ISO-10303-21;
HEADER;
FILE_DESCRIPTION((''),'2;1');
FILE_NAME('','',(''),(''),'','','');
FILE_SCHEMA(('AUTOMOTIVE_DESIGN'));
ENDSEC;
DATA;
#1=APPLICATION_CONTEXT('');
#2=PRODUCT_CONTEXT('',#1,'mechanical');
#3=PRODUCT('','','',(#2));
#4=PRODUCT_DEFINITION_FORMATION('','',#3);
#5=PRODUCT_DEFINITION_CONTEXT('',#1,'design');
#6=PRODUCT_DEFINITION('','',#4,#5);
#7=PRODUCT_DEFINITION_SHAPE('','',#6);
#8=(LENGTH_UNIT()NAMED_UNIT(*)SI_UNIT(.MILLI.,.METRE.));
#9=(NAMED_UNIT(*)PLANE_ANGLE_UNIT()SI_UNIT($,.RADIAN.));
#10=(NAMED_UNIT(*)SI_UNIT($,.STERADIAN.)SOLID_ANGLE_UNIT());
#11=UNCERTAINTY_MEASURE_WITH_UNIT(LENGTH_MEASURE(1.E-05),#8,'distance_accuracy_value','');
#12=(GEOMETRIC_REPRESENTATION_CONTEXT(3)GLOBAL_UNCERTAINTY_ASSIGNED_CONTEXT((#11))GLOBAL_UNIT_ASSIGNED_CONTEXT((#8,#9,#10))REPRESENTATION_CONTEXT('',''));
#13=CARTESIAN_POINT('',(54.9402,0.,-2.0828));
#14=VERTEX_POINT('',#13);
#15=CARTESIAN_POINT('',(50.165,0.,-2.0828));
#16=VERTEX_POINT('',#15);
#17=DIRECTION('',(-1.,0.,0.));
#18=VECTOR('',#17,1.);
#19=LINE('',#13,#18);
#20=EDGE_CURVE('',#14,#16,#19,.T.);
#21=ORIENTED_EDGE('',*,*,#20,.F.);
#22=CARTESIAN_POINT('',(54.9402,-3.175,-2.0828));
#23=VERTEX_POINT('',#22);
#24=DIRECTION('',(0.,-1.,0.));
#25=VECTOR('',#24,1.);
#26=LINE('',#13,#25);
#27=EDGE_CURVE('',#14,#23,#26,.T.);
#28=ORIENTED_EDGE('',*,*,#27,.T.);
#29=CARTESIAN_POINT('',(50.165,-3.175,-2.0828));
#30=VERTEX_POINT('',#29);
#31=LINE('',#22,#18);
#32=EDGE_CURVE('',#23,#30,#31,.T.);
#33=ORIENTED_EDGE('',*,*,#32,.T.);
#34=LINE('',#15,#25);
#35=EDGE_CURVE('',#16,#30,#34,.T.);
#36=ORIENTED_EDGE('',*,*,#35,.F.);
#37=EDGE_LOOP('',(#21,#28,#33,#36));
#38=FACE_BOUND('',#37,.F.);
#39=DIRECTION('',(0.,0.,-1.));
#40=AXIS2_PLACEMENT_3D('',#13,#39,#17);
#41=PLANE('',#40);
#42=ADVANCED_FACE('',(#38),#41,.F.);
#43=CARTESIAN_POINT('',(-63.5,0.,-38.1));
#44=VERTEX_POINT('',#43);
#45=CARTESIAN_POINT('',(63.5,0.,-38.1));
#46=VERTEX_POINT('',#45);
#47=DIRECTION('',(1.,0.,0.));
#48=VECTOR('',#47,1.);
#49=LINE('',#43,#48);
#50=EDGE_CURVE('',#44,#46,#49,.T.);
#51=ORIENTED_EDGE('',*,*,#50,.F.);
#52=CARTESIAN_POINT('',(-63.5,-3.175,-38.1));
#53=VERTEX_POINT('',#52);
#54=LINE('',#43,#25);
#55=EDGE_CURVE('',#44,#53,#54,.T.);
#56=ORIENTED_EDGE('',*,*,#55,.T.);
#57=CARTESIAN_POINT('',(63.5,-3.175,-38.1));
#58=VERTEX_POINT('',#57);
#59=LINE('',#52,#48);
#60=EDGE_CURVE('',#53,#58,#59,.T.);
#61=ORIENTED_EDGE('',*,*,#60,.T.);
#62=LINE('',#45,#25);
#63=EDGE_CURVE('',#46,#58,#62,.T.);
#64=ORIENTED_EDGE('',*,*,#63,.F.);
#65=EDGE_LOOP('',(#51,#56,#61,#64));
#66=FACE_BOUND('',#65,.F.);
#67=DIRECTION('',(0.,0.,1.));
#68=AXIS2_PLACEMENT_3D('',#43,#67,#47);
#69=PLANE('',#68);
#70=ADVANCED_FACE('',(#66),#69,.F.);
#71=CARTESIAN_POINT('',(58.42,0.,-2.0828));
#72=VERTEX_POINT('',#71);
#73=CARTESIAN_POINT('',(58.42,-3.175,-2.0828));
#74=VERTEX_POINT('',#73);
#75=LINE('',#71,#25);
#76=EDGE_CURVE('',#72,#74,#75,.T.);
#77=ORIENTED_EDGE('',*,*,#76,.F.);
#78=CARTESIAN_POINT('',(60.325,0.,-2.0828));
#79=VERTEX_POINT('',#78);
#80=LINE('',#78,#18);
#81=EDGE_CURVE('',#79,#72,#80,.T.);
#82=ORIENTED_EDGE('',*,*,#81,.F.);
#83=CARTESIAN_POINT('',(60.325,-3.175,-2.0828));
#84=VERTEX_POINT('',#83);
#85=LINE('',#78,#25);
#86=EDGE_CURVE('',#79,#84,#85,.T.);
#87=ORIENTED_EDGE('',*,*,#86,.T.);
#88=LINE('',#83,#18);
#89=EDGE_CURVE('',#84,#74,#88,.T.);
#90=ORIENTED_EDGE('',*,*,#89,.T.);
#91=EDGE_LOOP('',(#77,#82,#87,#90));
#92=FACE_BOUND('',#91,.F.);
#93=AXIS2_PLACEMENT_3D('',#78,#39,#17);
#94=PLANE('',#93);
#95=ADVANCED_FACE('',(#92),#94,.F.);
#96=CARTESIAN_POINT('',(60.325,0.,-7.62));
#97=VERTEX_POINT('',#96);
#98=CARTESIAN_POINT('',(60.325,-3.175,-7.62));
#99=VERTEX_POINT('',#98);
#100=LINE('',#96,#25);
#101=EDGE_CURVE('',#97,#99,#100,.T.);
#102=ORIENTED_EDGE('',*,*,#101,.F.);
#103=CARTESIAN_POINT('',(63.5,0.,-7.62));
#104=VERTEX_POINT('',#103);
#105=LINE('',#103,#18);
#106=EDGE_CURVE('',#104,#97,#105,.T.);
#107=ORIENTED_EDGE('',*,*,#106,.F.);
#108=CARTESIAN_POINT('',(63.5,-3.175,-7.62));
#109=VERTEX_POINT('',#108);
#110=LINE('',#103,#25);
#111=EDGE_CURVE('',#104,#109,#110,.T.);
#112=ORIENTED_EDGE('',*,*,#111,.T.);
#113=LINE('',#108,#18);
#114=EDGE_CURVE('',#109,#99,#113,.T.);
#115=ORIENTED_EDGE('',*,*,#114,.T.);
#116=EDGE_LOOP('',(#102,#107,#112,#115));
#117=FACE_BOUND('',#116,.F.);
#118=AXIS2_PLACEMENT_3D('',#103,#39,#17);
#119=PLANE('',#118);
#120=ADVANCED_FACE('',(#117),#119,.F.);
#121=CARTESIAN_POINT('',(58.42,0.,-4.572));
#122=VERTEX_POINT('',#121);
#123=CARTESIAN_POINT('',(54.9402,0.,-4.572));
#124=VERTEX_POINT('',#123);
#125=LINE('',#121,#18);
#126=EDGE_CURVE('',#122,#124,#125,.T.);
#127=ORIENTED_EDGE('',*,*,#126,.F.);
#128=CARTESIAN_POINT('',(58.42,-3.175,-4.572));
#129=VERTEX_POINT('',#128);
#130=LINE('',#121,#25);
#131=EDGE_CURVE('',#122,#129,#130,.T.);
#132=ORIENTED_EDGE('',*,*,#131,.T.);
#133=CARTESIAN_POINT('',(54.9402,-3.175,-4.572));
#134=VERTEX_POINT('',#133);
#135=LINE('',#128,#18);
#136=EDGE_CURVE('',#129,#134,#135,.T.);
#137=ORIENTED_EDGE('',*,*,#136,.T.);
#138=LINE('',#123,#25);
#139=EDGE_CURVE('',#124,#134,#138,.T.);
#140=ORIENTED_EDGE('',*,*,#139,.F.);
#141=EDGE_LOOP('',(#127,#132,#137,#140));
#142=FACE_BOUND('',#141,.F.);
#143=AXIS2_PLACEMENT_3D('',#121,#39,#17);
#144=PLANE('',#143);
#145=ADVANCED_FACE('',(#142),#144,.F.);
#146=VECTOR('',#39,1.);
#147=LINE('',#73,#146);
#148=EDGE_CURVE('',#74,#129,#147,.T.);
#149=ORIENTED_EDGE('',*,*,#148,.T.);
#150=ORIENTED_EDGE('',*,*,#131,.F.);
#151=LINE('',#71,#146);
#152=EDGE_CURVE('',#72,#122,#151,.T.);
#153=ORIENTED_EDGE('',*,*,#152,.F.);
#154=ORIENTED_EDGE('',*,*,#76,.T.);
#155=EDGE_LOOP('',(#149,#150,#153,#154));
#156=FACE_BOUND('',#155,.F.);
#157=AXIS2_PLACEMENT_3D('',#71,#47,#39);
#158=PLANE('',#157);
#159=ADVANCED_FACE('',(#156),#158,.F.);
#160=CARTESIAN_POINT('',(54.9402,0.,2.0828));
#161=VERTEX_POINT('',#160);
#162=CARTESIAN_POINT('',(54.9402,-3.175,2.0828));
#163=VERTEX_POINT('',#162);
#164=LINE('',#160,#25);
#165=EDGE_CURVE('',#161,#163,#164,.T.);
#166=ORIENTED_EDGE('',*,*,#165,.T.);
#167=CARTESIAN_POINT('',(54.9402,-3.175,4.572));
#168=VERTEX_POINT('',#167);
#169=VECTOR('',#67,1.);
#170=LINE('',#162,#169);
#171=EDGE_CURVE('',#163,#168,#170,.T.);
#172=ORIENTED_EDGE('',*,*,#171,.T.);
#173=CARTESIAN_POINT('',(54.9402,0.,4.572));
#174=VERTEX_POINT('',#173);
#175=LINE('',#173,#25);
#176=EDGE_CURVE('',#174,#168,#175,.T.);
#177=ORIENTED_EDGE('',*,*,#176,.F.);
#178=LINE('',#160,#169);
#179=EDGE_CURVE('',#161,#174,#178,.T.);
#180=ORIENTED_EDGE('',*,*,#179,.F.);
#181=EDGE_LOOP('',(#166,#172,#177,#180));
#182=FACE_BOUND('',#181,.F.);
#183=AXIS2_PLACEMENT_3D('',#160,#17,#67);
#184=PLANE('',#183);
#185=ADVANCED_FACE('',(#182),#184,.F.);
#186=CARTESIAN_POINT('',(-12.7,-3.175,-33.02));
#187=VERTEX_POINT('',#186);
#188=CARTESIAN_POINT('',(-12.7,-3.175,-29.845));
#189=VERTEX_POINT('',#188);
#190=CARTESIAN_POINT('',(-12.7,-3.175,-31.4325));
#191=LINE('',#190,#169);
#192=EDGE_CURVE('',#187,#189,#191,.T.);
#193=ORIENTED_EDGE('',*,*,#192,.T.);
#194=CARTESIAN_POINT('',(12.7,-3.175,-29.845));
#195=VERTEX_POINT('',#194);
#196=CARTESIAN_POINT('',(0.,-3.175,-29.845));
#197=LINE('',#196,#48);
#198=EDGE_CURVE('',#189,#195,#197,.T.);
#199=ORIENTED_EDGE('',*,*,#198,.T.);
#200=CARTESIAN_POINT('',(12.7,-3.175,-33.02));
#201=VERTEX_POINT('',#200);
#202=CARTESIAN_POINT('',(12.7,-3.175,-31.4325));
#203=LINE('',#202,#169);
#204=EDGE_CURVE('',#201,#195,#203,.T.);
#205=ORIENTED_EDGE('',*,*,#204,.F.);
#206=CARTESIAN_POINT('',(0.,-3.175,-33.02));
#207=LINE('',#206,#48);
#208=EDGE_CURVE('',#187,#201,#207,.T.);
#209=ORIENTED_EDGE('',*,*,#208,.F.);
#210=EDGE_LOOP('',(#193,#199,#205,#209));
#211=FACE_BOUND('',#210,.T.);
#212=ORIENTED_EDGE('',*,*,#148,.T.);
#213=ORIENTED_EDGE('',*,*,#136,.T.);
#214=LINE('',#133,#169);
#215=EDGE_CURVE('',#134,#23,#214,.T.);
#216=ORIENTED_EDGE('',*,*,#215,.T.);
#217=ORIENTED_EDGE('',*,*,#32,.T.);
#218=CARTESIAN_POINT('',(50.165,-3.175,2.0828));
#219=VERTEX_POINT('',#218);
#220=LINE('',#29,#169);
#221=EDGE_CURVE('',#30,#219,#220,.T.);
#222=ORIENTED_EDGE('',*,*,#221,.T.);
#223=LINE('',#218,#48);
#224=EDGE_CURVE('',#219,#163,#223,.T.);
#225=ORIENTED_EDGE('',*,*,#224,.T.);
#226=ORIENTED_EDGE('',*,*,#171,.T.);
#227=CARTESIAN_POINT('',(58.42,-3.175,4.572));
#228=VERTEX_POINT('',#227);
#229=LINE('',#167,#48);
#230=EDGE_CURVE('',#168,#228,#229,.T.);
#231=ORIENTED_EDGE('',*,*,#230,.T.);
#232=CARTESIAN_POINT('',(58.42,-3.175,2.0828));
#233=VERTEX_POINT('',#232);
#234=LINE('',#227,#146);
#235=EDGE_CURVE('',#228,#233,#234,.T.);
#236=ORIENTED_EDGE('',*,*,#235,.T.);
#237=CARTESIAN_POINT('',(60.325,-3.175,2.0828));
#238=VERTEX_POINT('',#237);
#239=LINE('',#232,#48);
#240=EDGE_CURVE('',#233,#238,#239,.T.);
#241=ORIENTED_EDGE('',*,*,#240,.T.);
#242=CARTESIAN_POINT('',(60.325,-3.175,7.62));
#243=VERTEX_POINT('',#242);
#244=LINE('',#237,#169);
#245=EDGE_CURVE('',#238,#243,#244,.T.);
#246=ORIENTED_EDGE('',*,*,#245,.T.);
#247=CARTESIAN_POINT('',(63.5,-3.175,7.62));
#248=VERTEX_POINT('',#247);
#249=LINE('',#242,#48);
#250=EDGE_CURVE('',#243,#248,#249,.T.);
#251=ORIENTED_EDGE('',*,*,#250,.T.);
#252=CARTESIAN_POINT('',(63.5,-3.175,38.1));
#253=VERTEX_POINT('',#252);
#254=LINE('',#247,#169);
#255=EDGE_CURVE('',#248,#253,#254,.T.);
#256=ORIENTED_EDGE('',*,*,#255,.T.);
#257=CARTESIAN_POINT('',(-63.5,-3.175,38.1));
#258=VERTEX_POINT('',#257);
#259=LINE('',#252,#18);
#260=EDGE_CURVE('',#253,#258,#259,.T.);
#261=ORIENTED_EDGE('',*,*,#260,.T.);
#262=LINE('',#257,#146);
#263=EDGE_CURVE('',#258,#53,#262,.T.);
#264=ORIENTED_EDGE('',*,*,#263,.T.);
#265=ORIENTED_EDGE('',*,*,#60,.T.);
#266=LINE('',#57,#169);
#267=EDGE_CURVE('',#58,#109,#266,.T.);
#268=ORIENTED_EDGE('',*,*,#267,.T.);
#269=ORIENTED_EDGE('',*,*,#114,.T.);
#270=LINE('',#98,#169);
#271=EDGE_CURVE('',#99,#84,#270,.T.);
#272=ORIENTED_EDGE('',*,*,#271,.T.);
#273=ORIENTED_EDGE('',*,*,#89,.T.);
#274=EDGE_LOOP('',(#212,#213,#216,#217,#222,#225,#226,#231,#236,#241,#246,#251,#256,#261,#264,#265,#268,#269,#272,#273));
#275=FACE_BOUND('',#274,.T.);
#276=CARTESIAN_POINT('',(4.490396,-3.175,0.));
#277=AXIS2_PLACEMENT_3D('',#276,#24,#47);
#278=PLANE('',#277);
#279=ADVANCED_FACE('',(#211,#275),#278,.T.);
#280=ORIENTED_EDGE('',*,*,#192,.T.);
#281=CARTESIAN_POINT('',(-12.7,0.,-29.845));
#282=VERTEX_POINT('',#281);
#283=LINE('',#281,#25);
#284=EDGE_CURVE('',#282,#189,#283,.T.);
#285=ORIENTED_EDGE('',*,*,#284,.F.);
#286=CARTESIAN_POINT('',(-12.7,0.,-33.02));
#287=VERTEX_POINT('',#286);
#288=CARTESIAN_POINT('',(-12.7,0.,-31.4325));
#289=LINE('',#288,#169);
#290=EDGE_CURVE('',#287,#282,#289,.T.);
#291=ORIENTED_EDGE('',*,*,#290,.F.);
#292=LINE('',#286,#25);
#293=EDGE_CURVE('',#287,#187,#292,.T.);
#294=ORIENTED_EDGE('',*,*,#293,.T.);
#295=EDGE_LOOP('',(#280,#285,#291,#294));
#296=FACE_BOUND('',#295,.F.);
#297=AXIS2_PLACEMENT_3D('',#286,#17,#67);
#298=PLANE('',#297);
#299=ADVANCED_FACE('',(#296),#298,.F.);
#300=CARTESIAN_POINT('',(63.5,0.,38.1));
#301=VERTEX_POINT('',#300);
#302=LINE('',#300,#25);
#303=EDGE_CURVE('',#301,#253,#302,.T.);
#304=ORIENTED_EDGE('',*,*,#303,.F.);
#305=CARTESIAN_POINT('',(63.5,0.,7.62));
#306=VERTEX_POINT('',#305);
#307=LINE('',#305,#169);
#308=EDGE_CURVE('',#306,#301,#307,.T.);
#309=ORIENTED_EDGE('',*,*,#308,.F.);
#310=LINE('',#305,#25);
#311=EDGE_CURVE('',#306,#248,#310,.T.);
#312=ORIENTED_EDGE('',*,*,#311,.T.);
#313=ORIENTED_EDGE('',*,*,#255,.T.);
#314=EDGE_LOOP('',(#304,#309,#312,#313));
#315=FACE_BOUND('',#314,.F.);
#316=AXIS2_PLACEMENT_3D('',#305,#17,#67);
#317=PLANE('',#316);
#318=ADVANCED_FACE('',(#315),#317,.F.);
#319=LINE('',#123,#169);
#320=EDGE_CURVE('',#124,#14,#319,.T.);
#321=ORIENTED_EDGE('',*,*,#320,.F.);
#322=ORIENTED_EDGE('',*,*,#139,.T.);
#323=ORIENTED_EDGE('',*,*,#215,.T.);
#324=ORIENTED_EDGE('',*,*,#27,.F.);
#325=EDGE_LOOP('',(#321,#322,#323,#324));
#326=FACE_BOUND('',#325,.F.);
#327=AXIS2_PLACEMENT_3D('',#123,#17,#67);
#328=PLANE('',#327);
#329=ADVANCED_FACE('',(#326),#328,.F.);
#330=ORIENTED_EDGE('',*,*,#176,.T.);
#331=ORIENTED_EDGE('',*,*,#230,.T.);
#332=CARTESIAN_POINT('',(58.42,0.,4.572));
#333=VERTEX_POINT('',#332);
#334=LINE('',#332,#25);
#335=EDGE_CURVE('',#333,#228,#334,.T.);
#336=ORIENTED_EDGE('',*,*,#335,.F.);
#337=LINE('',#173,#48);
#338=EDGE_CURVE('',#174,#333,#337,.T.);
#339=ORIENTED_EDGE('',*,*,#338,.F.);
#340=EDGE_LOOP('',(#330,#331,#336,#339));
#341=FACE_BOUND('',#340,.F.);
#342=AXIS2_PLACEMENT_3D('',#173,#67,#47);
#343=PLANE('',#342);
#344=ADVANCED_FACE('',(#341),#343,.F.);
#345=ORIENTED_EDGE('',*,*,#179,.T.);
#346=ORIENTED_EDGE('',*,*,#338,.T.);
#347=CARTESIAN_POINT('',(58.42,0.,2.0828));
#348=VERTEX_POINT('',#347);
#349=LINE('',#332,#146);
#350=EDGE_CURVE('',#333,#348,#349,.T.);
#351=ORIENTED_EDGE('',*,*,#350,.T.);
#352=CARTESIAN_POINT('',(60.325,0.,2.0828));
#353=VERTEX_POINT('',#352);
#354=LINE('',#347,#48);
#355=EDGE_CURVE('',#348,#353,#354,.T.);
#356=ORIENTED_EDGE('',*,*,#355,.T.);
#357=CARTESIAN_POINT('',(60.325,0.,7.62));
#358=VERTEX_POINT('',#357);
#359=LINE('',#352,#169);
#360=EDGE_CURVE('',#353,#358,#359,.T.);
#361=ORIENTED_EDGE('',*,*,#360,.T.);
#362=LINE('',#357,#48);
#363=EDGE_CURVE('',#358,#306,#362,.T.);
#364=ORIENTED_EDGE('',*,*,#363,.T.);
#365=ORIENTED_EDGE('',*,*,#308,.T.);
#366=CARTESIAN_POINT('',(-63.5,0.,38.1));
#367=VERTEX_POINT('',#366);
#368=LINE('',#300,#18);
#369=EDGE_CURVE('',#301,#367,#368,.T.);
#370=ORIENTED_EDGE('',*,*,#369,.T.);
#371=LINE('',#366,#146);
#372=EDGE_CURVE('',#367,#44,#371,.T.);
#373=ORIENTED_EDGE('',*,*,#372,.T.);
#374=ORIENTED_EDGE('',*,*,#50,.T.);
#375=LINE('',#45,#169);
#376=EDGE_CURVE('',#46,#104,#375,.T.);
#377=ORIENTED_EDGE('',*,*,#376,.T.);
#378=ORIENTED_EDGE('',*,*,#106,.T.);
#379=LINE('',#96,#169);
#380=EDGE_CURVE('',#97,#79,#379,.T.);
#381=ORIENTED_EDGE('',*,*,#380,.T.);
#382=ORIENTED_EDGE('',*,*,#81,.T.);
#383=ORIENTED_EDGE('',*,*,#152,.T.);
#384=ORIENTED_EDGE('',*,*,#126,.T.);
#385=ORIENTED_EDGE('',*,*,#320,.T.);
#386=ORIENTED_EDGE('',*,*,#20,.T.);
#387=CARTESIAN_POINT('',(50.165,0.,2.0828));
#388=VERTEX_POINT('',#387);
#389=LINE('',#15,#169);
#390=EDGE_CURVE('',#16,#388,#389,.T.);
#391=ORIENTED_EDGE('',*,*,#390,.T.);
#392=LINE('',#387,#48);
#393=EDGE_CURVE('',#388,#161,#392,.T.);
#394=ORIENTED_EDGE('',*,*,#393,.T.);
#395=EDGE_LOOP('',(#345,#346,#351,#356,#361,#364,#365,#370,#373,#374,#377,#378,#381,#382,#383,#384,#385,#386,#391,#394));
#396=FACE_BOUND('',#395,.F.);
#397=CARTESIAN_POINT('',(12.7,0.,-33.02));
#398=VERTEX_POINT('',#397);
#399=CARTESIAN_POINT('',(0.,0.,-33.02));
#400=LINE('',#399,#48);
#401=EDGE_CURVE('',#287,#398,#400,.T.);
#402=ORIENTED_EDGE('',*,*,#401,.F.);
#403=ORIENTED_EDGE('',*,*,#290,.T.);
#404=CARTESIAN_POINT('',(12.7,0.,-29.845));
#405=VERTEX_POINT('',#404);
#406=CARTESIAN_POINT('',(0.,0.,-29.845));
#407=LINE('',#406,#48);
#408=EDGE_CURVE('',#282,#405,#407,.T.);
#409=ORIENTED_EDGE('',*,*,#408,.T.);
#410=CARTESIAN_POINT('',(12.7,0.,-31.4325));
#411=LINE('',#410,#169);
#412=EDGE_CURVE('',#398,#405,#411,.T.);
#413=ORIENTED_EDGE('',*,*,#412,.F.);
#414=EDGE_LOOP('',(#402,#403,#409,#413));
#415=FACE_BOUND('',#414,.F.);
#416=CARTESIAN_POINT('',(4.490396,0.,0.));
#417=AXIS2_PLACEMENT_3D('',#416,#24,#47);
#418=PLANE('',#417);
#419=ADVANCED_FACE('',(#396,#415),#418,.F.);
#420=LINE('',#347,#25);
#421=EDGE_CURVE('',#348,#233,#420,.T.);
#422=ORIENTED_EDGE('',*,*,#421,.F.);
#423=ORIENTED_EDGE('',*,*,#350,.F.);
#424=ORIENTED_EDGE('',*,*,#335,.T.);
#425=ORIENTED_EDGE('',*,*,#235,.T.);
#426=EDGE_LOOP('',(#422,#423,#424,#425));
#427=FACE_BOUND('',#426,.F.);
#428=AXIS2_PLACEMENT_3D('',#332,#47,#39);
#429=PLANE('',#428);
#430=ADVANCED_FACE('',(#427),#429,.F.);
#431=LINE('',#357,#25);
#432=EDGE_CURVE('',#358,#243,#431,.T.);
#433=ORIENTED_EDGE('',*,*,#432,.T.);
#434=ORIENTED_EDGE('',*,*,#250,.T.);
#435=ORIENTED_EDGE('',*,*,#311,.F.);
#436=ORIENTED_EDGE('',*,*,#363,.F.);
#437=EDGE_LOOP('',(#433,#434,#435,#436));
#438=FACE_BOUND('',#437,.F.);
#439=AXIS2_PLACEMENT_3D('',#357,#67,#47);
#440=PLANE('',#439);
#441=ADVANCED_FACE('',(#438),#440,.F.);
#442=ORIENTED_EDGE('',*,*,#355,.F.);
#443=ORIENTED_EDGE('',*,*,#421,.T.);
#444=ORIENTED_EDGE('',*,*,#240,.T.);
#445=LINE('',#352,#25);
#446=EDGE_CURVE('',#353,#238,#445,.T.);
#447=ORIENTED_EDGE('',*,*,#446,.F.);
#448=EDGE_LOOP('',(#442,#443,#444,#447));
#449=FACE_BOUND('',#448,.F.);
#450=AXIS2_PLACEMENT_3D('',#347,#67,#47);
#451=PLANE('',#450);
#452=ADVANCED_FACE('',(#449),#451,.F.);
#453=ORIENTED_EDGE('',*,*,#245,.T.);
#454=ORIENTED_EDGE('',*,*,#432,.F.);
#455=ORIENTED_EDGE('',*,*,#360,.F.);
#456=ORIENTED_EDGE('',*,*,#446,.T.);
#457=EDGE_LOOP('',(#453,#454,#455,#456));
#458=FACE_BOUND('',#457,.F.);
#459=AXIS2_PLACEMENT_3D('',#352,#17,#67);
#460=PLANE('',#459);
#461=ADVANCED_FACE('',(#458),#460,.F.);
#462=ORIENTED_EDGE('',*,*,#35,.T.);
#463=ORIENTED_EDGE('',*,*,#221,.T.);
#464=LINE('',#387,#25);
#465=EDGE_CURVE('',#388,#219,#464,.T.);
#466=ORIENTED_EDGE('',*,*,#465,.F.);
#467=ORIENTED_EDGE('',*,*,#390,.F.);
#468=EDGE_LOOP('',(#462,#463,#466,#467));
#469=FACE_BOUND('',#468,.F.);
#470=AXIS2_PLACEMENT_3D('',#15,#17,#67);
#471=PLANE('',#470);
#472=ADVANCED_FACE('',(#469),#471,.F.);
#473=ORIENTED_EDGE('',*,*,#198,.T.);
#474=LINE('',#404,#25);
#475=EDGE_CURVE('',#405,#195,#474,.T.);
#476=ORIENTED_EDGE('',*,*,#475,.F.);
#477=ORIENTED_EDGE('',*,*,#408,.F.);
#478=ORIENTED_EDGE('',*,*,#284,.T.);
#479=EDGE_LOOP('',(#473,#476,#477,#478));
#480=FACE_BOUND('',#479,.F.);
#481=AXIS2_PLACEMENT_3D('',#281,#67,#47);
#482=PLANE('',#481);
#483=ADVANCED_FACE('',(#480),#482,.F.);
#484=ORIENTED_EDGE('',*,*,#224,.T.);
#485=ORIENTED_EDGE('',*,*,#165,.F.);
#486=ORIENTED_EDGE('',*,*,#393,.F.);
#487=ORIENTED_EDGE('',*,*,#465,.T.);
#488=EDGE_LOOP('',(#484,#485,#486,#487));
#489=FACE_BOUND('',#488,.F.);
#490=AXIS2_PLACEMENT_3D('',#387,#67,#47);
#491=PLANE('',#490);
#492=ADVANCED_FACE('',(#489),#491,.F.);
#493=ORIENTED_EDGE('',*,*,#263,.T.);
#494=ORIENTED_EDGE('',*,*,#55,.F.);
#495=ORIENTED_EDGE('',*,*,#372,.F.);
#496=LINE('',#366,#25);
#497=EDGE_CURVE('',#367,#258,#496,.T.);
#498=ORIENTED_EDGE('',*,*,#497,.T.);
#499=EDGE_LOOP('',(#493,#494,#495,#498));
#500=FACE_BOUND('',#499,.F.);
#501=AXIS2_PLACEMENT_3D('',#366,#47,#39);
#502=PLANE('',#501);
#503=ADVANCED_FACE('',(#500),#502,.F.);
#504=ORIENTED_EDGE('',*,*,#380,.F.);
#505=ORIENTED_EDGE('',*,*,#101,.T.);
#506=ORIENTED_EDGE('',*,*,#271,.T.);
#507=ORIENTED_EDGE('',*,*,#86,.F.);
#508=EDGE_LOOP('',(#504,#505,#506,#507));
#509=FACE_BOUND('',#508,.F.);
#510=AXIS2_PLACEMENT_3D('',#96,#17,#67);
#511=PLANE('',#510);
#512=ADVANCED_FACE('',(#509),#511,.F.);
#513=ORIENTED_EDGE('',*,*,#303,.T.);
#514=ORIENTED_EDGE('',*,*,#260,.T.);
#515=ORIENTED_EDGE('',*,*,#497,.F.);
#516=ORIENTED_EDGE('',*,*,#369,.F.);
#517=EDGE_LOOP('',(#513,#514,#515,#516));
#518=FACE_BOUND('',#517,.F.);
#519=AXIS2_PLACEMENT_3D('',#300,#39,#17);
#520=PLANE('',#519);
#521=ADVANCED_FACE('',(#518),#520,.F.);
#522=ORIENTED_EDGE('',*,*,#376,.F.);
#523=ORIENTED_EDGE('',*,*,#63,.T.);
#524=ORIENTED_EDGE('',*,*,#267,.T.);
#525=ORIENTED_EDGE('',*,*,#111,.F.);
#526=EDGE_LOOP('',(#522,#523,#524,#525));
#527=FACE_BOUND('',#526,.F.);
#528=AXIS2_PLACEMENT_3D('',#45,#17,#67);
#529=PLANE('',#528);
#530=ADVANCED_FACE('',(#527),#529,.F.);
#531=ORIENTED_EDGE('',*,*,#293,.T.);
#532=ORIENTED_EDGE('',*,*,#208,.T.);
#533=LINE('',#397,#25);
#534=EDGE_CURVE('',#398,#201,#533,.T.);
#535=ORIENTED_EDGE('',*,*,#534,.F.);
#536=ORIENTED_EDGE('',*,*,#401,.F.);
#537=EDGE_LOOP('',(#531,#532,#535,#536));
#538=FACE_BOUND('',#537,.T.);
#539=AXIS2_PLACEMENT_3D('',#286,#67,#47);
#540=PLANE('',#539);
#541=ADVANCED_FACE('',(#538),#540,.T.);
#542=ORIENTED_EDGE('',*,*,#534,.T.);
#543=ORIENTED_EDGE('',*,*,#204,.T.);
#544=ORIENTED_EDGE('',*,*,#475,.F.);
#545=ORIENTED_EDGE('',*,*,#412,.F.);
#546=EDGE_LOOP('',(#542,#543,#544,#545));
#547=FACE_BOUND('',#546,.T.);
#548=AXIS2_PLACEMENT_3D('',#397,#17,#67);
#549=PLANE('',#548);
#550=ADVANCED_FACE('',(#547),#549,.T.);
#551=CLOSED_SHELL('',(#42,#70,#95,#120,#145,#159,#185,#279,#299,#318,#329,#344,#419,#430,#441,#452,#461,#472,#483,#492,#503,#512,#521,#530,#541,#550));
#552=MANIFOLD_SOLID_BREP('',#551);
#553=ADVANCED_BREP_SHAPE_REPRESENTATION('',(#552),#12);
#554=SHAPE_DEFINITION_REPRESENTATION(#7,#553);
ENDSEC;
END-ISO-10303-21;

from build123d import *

# Parameters (mm, degrees)
F0_W     = 25.4
F0_H     = 3.175
F1_DEPTH = 3.175


with BuildPart() as f1:
    # F0 (on Front) → F1 (new body)
    with BuildSketch(Plane.XZ):
        Polygon((-63.5, -38.1), (63.5, -38.1), (63.5, -7.62), (60.325, -7.62), (60.325, -2.0828), (58.42, -2.0828), (58.42, -4.572), (54.9402, -4.572), (54.9402, -2.0828), (50.165, -2.0828), (50.165, 2.0828), (54.9402, 2.0828), (54.9402, 4.572), (58.42, 4.572), (58.42, 2.0828), (60.325, 2.0828), (60.325, 7.62), (63.5, 7.62), (63.5, 38.1), (-63.5, 38.1), align=None)
        with Locations((0, -31.4325)):
            Rectangle(F0_W, F0_H, mode=Mode.SUBTRACT)
    extrude(amount=F1_DEPTH)


solid = f1.part
